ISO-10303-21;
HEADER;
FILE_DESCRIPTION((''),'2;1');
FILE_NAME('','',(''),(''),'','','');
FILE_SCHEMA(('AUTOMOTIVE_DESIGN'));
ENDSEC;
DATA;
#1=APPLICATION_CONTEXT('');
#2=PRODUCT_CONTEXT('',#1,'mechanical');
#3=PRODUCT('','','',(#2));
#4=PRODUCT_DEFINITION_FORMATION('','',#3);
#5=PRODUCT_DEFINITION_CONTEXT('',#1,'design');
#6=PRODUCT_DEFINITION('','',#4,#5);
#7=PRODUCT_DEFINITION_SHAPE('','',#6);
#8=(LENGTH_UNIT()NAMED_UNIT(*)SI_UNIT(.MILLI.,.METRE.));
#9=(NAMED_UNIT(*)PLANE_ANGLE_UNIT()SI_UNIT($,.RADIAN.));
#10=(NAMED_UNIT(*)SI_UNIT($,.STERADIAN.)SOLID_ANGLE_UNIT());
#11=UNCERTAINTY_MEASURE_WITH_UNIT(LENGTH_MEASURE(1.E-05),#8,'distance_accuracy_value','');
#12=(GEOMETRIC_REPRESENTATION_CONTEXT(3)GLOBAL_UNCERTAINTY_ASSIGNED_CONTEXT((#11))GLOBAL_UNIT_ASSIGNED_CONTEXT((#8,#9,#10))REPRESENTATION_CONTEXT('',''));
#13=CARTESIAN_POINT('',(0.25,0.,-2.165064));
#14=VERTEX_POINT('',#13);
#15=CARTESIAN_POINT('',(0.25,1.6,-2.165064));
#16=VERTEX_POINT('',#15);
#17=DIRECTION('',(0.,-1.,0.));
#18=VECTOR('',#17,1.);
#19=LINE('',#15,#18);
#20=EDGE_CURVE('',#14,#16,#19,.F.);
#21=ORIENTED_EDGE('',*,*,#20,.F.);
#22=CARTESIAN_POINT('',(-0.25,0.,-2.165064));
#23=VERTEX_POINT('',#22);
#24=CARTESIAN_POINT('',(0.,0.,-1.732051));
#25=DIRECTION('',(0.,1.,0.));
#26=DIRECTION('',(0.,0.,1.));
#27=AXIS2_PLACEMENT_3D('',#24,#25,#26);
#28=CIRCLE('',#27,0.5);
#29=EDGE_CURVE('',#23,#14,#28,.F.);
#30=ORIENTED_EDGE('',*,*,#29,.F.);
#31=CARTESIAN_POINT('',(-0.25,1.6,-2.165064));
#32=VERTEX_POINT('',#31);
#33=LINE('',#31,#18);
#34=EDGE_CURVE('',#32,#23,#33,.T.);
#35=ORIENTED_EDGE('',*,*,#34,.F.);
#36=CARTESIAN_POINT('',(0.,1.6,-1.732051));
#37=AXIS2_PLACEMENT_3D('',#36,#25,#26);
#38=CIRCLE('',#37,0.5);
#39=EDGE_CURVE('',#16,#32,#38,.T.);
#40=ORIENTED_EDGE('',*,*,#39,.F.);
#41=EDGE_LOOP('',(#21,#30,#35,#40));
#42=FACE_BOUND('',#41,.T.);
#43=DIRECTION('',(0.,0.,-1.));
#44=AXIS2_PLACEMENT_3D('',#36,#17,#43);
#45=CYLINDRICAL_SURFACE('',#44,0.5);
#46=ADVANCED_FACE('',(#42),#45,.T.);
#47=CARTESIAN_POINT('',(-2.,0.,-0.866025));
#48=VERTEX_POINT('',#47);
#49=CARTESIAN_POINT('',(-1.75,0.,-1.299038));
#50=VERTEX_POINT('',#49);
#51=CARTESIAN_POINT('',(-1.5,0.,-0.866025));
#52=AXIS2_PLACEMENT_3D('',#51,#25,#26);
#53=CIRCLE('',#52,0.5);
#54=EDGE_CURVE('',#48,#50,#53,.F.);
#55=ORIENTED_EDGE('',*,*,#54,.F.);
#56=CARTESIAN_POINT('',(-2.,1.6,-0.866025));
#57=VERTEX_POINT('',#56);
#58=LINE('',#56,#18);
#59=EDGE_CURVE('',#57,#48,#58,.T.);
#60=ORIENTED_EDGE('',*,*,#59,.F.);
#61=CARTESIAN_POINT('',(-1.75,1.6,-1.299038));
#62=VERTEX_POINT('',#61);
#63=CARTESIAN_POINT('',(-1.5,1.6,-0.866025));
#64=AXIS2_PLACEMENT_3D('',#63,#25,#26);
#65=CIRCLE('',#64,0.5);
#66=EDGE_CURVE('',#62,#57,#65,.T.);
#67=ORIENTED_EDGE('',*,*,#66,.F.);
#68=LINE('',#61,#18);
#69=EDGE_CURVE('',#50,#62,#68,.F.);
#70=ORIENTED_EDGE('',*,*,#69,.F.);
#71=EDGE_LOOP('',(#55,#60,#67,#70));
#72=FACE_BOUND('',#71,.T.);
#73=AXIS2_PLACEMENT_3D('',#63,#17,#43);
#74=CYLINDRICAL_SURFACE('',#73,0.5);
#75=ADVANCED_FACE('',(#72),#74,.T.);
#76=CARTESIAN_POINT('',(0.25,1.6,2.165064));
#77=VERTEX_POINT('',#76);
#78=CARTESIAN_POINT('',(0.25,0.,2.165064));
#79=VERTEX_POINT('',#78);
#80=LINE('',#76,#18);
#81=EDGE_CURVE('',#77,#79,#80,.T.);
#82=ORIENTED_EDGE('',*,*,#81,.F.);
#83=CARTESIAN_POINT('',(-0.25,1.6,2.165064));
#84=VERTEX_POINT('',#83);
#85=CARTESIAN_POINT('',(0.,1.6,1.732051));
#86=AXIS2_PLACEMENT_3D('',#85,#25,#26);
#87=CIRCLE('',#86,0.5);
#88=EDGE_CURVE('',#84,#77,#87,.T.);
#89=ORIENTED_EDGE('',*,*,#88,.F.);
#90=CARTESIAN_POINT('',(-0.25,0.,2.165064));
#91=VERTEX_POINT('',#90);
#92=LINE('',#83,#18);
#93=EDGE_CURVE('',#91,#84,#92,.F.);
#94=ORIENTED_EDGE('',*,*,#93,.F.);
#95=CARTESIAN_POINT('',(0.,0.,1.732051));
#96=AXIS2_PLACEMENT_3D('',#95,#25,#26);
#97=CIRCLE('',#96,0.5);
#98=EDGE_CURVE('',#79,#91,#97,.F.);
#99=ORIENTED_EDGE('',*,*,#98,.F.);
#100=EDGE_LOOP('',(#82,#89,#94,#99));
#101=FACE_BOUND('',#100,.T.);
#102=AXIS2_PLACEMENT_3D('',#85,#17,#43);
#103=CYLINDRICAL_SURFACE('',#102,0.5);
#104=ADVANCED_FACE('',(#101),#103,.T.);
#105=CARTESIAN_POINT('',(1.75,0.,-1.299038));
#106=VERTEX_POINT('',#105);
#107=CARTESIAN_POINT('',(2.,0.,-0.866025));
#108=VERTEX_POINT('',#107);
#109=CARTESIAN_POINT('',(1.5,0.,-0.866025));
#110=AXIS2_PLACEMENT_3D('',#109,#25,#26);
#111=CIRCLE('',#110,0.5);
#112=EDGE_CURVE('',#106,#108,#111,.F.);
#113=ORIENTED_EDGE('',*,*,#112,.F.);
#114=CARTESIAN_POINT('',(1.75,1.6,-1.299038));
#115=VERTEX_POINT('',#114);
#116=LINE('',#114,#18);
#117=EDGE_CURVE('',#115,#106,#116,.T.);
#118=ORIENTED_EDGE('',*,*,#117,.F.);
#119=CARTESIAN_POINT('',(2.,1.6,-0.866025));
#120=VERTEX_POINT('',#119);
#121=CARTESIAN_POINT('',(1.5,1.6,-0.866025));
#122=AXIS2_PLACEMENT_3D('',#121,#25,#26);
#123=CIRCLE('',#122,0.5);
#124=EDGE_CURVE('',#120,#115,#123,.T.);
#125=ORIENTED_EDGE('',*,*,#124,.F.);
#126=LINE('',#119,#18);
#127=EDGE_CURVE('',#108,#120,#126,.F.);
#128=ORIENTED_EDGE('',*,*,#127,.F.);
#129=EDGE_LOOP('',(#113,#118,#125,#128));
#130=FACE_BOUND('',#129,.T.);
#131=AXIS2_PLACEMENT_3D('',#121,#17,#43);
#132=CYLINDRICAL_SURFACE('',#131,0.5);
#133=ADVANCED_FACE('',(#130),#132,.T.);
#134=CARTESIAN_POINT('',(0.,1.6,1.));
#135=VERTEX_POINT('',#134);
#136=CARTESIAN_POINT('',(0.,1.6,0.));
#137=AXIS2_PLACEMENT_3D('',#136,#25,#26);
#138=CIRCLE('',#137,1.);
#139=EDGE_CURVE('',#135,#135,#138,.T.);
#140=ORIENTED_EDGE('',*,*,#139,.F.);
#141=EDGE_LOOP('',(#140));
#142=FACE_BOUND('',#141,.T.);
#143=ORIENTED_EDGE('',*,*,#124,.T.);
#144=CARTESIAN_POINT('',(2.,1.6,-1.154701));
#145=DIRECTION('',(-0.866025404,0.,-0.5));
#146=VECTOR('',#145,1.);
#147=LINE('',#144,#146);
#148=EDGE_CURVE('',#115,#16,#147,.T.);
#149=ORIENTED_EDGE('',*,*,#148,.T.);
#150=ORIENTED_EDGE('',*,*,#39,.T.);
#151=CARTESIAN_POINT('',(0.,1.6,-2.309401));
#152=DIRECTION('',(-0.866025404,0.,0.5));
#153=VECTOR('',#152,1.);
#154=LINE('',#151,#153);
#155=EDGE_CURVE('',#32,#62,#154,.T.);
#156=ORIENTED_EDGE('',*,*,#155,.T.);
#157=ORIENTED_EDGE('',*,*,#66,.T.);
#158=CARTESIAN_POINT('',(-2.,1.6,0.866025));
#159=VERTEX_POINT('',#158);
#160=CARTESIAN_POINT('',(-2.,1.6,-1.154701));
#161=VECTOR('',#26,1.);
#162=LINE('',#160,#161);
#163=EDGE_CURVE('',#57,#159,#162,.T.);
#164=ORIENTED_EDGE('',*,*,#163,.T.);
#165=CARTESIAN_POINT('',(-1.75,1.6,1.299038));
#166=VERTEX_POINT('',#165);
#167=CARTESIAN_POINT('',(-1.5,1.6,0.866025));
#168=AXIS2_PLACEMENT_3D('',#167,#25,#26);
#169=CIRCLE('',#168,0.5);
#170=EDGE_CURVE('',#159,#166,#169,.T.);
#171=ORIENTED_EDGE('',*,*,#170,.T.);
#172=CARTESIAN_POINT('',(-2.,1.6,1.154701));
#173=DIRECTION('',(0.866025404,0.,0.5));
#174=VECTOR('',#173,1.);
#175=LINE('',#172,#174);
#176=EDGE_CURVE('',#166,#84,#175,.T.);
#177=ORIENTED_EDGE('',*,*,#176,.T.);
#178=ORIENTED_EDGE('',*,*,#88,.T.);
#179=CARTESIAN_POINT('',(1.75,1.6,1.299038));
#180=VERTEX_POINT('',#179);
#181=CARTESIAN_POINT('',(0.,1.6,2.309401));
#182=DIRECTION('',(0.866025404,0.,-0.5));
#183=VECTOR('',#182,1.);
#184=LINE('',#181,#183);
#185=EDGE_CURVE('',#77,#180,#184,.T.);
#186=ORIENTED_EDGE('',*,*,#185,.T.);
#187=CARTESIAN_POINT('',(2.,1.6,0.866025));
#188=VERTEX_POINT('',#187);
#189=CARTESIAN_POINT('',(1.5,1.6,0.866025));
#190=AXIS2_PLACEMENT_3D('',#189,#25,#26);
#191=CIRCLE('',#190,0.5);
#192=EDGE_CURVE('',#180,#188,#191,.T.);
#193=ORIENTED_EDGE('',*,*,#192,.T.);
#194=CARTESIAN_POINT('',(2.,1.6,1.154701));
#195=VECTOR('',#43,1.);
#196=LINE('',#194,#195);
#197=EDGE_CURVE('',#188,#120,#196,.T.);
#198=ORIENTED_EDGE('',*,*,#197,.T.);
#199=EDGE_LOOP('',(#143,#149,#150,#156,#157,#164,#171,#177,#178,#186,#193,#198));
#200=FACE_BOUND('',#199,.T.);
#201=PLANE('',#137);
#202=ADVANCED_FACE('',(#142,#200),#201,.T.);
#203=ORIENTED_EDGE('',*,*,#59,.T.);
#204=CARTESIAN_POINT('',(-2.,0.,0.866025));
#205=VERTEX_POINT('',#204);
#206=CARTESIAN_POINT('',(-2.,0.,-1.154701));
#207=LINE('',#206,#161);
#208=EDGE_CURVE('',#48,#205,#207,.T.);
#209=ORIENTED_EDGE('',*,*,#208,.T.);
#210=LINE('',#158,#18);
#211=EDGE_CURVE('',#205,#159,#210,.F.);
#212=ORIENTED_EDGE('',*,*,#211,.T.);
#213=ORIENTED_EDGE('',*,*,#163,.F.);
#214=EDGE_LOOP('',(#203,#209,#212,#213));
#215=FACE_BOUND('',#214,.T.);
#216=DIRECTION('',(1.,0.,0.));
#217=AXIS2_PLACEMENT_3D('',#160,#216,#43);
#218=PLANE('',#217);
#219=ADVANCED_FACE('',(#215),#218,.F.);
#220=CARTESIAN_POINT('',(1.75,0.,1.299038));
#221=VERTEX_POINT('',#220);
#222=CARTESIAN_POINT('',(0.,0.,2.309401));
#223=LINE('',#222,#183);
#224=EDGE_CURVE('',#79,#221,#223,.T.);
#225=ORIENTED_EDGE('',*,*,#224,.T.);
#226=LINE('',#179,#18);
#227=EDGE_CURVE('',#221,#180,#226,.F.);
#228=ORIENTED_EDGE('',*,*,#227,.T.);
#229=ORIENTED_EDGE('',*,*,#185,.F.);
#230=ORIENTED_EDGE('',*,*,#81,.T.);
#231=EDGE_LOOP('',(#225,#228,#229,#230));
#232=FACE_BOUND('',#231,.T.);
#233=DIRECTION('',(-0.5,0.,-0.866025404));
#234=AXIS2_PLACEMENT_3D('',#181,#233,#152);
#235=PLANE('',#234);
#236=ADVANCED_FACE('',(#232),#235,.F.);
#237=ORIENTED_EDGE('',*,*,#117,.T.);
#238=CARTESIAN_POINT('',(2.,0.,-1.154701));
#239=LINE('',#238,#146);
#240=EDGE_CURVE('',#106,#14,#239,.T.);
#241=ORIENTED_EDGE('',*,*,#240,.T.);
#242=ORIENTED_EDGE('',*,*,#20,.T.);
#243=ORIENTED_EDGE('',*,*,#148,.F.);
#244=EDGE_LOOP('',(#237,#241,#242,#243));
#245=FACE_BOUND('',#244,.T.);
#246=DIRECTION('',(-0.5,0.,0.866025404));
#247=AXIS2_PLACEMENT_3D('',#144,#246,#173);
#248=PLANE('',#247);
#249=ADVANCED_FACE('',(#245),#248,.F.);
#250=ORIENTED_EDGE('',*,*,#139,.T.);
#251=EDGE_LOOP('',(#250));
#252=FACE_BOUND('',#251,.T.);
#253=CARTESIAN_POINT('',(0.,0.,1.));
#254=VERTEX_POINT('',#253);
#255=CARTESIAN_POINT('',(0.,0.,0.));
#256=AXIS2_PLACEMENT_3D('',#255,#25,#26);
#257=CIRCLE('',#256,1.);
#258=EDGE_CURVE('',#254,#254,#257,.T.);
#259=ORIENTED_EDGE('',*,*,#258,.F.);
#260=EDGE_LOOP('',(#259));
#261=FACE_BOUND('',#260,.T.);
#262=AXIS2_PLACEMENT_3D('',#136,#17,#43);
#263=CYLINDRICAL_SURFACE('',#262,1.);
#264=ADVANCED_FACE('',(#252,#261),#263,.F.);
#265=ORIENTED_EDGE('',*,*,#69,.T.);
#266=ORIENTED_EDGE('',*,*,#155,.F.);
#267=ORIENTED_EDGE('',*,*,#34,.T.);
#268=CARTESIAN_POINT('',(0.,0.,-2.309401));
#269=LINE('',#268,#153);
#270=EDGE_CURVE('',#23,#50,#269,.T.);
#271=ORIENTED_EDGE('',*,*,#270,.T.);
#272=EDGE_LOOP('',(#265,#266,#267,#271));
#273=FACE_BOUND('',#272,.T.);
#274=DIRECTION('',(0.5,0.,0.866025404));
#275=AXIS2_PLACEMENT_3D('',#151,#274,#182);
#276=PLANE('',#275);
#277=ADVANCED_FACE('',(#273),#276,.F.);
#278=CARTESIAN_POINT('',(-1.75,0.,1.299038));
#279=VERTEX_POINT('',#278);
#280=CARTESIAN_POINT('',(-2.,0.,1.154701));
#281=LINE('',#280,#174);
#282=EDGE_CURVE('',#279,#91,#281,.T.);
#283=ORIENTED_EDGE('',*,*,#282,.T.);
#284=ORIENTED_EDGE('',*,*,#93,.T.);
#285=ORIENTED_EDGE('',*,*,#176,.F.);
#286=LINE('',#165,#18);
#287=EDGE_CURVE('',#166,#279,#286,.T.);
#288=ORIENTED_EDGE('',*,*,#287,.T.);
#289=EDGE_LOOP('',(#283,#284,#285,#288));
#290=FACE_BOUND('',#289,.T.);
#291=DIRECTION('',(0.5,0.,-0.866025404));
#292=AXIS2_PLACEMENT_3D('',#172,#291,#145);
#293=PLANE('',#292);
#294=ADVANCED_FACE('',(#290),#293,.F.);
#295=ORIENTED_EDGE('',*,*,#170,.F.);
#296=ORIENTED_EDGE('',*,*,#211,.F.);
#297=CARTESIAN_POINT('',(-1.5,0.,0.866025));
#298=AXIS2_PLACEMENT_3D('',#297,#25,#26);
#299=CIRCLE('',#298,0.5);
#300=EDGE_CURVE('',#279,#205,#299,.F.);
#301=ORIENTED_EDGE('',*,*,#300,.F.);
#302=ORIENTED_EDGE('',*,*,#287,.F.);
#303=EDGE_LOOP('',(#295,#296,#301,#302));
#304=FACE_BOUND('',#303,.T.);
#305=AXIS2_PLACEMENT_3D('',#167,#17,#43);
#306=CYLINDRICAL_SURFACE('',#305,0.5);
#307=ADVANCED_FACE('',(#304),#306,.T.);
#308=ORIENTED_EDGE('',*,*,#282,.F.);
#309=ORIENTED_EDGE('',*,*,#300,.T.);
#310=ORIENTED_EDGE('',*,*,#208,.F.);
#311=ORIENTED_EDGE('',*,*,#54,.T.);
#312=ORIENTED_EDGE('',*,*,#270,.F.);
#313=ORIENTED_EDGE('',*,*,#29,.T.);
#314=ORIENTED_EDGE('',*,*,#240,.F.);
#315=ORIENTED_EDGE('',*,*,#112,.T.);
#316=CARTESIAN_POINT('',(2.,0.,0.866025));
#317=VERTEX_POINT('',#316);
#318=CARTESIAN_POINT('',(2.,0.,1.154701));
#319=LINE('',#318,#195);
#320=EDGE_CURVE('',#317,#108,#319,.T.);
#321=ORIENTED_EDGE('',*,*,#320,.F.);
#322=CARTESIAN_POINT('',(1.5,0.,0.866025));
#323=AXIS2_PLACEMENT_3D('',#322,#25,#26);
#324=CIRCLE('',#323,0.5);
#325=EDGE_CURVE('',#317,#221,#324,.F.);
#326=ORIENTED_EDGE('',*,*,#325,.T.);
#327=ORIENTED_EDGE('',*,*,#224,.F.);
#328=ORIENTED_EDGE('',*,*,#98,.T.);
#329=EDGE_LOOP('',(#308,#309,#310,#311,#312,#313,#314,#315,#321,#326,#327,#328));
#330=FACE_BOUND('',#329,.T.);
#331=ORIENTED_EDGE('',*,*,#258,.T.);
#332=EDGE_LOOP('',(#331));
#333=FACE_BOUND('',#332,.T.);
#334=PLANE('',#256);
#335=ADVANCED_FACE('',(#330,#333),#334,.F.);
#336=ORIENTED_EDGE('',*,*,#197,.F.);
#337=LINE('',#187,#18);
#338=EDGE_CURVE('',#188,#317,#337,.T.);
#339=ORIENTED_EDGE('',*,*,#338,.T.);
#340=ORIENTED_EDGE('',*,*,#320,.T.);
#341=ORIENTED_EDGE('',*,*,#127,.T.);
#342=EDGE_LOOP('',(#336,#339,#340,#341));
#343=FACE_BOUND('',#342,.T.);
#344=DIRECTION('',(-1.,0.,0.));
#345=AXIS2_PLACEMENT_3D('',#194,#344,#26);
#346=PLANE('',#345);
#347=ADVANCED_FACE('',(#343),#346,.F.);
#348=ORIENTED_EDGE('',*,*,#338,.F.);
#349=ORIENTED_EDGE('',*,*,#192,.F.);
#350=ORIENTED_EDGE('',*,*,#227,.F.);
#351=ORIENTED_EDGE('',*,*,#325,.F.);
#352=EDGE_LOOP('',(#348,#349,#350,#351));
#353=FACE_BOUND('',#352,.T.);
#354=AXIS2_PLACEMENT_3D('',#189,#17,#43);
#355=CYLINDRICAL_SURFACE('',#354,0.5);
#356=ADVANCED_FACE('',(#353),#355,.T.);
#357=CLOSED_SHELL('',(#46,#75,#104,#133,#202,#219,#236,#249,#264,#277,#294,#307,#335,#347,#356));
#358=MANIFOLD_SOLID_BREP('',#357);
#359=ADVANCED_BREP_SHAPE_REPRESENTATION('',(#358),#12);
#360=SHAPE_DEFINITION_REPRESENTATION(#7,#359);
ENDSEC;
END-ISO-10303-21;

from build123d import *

# Parameters (mm, degrees)
SKETCH_1_R      = 1
EXTRUDE_1_DEPTH = 1.6
FILLET_1_R      = 0.5


with BuildPart() as part:
    # 草图1 → 凸台-拉伸1 (new body)
    with BuildSketch(Plane(origin=(0, 0, 0), x_dir=(1, 0, 0), z_dir=(0, 1, 0))):
        Polygon((0, 2.309401077), (-2, 1.154700538), (-2, -1.154700538), (0, -2.309401077), (2, -1.154700538), (2, 1.154700538), align=None)
        with Locations(Location((0, 0, 0), (0, 0, 270))):
            Circle(SKETCH_1_R, mode=Mode.SUBTRACT)
    extrude(amount=EXTRUDE_1_DEPTH)

    # 圆角1
    fillet_1_edges = [part.edges().sort_by_distance(p)[0] for p in [
        (2, 0.8, -1.154700538),
        (2, 0.8, 1.154700538),
        (0, 0.8, 2.309401077),
        (-2, 0.8, 1.154700538),
        (-2, 0.8, -1.154700538),
        (0, 0.8, -2.309401077),
    ]]
    fillet(fillet_1_edges, radius=FILLET_1_R)


solid = part.part
